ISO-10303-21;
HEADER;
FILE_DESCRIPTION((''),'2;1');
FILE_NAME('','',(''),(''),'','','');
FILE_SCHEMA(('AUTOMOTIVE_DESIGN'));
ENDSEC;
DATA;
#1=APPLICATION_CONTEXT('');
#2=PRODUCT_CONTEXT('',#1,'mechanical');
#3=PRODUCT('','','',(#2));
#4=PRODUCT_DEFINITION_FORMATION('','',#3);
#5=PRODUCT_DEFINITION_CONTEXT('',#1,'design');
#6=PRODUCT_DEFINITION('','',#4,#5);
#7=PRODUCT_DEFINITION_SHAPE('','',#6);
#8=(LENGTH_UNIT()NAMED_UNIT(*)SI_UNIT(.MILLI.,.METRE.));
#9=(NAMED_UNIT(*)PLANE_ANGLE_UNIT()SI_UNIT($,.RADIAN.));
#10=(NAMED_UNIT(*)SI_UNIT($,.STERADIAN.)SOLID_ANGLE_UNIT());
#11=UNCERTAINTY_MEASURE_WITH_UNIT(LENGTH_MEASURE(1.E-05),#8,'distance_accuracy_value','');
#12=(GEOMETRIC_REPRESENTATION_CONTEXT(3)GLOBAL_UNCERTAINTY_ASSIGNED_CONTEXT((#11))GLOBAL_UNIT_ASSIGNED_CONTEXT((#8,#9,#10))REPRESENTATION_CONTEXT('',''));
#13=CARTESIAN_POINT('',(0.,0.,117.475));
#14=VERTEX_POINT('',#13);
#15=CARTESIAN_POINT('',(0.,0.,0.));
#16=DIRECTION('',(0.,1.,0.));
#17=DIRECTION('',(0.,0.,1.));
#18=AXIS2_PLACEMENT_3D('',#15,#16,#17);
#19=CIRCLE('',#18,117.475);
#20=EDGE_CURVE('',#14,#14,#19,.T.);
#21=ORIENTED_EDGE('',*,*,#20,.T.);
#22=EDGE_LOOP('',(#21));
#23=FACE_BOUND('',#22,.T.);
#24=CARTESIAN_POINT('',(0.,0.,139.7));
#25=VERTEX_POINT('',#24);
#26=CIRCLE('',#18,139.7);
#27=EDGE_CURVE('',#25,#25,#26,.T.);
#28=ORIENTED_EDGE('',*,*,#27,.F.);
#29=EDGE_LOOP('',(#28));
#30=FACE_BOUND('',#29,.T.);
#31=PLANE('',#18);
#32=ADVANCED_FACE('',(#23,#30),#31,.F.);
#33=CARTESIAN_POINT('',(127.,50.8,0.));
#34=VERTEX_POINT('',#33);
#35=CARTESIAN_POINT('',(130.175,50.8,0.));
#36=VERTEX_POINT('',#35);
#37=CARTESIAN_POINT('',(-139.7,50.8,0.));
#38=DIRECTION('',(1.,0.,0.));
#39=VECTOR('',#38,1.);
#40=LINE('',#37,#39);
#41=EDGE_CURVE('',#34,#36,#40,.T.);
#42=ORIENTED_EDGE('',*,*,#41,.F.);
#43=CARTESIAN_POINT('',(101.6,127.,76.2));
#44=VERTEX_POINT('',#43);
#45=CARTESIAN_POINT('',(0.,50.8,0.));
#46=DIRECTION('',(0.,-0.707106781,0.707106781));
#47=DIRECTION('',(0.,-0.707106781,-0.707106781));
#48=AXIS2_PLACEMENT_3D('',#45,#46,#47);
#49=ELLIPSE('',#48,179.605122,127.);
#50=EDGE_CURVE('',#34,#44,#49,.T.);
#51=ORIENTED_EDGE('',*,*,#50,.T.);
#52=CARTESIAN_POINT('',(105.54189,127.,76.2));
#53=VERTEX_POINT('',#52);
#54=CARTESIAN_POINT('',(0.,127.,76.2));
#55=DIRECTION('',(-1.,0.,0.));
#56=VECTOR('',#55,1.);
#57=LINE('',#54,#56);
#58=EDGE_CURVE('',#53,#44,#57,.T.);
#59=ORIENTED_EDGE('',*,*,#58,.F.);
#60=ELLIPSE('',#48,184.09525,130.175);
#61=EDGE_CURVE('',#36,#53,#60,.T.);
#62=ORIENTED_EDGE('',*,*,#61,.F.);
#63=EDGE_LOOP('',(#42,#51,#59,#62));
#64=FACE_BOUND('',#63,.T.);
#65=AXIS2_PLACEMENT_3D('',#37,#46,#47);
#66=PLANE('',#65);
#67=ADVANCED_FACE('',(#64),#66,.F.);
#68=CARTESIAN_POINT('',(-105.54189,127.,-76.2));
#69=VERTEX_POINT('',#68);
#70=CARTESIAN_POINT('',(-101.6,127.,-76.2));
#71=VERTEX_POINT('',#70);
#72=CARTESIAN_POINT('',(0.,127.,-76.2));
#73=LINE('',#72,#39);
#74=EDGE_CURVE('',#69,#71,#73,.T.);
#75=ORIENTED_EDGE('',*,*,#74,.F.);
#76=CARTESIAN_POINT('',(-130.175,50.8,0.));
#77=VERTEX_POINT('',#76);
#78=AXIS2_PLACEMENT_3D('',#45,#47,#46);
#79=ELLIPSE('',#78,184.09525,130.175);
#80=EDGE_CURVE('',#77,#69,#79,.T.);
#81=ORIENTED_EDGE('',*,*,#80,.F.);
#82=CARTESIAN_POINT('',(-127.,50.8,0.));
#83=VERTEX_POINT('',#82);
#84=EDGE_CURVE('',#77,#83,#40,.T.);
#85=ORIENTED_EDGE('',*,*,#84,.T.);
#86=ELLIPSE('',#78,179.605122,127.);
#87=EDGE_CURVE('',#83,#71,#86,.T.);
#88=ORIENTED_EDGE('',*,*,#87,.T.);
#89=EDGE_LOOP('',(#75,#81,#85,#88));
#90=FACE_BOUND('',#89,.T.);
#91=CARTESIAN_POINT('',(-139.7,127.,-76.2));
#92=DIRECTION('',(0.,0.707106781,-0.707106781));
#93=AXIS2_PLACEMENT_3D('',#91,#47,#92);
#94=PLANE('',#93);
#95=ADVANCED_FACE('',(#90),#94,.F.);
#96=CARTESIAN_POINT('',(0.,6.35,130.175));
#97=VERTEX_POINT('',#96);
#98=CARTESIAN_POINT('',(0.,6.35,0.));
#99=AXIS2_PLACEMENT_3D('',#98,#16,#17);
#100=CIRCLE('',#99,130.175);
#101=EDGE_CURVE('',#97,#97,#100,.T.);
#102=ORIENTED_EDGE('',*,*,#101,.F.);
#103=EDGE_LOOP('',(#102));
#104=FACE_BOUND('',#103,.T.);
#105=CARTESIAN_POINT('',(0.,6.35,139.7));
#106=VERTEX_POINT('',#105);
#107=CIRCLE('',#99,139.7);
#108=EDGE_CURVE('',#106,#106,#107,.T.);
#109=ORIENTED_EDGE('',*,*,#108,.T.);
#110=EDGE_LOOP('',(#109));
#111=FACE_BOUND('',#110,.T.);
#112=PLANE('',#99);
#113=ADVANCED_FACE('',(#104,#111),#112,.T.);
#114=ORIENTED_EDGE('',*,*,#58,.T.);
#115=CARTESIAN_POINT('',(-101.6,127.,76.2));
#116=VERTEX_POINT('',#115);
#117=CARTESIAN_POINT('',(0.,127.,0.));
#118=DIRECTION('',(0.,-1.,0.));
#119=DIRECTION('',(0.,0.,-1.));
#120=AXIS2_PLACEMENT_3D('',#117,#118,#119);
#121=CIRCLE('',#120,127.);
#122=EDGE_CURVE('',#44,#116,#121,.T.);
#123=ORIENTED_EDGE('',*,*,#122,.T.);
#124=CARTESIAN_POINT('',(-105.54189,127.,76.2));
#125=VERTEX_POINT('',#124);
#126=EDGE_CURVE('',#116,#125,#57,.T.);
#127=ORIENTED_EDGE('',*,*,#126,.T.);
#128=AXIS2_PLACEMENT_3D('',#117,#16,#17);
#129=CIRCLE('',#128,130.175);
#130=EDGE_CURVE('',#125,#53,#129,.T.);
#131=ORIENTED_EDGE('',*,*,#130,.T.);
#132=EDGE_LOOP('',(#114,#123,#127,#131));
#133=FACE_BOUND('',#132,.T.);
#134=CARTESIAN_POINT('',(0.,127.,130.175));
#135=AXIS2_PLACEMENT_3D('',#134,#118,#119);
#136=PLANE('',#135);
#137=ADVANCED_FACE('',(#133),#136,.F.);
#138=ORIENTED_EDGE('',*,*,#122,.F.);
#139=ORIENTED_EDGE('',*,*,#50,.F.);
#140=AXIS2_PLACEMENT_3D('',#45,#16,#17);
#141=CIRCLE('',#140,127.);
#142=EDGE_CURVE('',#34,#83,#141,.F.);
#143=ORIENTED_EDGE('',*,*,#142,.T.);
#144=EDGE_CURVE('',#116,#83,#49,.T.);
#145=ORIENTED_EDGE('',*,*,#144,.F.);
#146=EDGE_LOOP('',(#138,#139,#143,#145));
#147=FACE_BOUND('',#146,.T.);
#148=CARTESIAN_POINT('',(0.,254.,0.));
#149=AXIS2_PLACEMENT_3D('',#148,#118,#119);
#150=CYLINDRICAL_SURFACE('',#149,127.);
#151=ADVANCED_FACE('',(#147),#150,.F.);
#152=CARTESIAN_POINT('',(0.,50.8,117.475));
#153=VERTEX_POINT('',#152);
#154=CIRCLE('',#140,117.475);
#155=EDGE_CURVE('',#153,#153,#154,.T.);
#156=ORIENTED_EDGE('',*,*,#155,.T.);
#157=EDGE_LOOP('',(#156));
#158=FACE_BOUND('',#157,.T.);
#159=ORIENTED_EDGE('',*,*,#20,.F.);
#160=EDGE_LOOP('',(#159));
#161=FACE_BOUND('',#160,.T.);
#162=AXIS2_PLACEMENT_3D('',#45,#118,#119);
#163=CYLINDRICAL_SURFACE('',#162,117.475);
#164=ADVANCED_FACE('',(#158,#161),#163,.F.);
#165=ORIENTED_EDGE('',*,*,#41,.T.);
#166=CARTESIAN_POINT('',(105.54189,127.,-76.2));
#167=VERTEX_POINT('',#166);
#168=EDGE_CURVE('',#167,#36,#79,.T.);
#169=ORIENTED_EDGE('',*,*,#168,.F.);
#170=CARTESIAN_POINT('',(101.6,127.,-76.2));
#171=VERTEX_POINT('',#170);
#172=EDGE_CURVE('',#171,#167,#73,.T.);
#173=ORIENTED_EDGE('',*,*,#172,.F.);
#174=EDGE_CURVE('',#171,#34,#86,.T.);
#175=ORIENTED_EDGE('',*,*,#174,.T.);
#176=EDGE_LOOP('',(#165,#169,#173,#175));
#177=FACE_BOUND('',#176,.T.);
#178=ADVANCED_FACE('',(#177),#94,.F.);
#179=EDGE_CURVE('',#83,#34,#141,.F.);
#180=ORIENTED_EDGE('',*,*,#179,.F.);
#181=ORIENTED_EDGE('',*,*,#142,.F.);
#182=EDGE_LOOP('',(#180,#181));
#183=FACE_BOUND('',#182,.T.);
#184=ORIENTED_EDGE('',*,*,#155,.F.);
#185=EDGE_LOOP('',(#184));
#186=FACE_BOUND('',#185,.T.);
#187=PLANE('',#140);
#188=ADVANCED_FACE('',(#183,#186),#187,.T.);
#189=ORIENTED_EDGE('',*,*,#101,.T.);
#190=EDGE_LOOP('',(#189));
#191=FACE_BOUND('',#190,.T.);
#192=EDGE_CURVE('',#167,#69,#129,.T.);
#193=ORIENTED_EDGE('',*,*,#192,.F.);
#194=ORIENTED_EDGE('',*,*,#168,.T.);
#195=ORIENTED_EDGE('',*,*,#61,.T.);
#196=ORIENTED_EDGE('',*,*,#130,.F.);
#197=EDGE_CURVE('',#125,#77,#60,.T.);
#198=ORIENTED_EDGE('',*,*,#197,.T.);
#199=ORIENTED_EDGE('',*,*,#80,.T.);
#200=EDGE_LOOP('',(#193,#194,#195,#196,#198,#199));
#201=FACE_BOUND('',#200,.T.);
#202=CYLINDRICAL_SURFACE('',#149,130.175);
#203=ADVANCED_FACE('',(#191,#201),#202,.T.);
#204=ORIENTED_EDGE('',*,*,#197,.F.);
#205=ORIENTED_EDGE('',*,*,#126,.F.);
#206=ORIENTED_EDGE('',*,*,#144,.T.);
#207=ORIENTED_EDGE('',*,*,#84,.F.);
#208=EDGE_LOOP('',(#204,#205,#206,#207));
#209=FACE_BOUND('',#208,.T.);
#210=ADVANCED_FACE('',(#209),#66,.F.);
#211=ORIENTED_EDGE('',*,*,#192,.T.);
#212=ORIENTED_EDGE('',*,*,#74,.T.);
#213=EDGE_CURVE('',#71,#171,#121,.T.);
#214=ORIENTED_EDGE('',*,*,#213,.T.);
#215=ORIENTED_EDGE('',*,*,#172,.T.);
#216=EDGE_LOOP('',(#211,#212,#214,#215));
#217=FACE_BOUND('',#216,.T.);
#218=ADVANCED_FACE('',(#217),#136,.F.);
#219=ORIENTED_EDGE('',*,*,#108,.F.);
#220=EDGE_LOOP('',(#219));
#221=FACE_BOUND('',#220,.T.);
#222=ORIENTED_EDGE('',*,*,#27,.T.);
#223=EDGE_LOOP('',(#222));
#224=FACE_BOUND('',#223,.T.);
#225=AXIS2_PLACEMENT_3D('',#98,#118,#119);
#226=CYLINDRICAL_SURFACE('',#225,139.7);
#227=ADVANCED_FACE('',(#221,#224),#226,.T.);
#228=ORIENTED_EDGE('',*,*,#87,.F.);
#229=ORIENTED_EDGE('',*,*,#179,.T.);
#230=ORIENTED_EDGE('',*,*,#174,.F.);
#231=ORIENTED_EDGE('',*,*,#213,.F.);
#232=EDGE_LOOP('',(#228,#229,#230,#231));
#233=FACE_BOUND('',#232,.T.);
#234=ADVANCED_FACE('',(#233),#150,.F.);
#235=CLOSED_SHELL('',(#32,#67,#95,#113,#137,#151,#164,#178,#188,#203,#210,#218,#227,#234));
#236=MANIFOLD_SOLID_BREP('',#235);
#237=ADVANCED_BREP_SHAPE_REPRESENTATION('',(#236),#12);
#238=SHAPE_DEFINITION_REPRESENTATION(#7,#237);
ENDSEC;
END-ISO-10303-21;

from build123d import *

# Parameters (mm, degrees)
SKETCH1_R               = 127
SKETCH1_R_2             = 117.475
BOSS_EXTRUDE1_DEPTH     = 50.8
SKETCH1_3_R             = 130.175
SKETCH1_3_R_2           = 127
BOSS_EXTRUDE2_DEPTH     = 254
SKETCH1_4_R             = 139.7
SKETCH1_4_R_2           = 130.175
BOSS_EXTRUDE3_DEPTH     = 6.35
SKETCH2_W               = 130.175
SKETCH2_H               = 127
CUT_EXTRUDE1_DEPTH      = 235.864173513
CUT_EXTRUDE1_DEPTH_BACK = 235.864173513


with BuildPart() as part:
    # Sketch1 → Boss-Extrude1 (new body)
    with BuildSketch(Plane(origin=(0, 0, 0), x_dir=(1, 0, 0), z_dir=(0, 1, 0))):
        Circle(SKETCH1_R)
        Circle(SKETCH1_R_2, mode=Mode.SUBTRACT)
    extrude(amount=BOSS_EXTRUDE1_DEPTH)

    # Sketch1<3> → Boss-Extrude2 (add)
    with BuildSketch(Plane(origin=(0, 0, 0), x_dir=(1, 0, 0), z_dir=(0, 1, 0))):
        Circle(SKETCH1_3_R)
        Circle(SKETCH1_3_R_2, mode=Mode.SUBTRACT)
    extrude(amount=BOSS_EXTRUDE2_DEPTH)

    # Sketch1<4> → Boss-Extrude3 (add)
    with BuildSketch(Plane(origin=(0, 0, 0), x_dir=(1, 0, 0), z_dir=(0, 1, 0))):
        Circle(SKETCH1_4_R)
        Circle(SKETCH1_4_R_2, mode=Mode.SUBTRACT)
    extrude(amount=BOSS_EXTRUDE3_DEPTH)

    # Sketch2 → Cut-Revolve4 (revolve, cut)
    with BuildSketch(Plane(origin=(0, 0, 0), x_dir=(0, 0, -1), z_dir=(1, 0, 0))):
        with Locations((-65.0875, 190.5)):
            Rectangle(SKETCH2_W, SKETCH2_H)
    revolve(axis=Axis((0, 254, 0), (0, -1, 0)), mode=Mode.SUBTRACT)

    # Sketch3 → Cut-Extrude1 (cut, two sides: drawn at the far end of the back side and taken through both)
    with BuildSketch(Plane(origin=(0, 0, 0), x_dir=(0, 0, -1), z_dir=(1, 0, 0)).offset(-CUT_EXTRUDE1_DEPTH_BACK)):
        Polygon((-76.2, 127), (76.2, 127), (0, 50.8), align=None)
    extrude(amount=CUT_EXTRUDE1_DEPTH + CUT_EXTRUDE1_DEPTH_BACK, mode=Mode.SUBTRACT)


solid = part.part
